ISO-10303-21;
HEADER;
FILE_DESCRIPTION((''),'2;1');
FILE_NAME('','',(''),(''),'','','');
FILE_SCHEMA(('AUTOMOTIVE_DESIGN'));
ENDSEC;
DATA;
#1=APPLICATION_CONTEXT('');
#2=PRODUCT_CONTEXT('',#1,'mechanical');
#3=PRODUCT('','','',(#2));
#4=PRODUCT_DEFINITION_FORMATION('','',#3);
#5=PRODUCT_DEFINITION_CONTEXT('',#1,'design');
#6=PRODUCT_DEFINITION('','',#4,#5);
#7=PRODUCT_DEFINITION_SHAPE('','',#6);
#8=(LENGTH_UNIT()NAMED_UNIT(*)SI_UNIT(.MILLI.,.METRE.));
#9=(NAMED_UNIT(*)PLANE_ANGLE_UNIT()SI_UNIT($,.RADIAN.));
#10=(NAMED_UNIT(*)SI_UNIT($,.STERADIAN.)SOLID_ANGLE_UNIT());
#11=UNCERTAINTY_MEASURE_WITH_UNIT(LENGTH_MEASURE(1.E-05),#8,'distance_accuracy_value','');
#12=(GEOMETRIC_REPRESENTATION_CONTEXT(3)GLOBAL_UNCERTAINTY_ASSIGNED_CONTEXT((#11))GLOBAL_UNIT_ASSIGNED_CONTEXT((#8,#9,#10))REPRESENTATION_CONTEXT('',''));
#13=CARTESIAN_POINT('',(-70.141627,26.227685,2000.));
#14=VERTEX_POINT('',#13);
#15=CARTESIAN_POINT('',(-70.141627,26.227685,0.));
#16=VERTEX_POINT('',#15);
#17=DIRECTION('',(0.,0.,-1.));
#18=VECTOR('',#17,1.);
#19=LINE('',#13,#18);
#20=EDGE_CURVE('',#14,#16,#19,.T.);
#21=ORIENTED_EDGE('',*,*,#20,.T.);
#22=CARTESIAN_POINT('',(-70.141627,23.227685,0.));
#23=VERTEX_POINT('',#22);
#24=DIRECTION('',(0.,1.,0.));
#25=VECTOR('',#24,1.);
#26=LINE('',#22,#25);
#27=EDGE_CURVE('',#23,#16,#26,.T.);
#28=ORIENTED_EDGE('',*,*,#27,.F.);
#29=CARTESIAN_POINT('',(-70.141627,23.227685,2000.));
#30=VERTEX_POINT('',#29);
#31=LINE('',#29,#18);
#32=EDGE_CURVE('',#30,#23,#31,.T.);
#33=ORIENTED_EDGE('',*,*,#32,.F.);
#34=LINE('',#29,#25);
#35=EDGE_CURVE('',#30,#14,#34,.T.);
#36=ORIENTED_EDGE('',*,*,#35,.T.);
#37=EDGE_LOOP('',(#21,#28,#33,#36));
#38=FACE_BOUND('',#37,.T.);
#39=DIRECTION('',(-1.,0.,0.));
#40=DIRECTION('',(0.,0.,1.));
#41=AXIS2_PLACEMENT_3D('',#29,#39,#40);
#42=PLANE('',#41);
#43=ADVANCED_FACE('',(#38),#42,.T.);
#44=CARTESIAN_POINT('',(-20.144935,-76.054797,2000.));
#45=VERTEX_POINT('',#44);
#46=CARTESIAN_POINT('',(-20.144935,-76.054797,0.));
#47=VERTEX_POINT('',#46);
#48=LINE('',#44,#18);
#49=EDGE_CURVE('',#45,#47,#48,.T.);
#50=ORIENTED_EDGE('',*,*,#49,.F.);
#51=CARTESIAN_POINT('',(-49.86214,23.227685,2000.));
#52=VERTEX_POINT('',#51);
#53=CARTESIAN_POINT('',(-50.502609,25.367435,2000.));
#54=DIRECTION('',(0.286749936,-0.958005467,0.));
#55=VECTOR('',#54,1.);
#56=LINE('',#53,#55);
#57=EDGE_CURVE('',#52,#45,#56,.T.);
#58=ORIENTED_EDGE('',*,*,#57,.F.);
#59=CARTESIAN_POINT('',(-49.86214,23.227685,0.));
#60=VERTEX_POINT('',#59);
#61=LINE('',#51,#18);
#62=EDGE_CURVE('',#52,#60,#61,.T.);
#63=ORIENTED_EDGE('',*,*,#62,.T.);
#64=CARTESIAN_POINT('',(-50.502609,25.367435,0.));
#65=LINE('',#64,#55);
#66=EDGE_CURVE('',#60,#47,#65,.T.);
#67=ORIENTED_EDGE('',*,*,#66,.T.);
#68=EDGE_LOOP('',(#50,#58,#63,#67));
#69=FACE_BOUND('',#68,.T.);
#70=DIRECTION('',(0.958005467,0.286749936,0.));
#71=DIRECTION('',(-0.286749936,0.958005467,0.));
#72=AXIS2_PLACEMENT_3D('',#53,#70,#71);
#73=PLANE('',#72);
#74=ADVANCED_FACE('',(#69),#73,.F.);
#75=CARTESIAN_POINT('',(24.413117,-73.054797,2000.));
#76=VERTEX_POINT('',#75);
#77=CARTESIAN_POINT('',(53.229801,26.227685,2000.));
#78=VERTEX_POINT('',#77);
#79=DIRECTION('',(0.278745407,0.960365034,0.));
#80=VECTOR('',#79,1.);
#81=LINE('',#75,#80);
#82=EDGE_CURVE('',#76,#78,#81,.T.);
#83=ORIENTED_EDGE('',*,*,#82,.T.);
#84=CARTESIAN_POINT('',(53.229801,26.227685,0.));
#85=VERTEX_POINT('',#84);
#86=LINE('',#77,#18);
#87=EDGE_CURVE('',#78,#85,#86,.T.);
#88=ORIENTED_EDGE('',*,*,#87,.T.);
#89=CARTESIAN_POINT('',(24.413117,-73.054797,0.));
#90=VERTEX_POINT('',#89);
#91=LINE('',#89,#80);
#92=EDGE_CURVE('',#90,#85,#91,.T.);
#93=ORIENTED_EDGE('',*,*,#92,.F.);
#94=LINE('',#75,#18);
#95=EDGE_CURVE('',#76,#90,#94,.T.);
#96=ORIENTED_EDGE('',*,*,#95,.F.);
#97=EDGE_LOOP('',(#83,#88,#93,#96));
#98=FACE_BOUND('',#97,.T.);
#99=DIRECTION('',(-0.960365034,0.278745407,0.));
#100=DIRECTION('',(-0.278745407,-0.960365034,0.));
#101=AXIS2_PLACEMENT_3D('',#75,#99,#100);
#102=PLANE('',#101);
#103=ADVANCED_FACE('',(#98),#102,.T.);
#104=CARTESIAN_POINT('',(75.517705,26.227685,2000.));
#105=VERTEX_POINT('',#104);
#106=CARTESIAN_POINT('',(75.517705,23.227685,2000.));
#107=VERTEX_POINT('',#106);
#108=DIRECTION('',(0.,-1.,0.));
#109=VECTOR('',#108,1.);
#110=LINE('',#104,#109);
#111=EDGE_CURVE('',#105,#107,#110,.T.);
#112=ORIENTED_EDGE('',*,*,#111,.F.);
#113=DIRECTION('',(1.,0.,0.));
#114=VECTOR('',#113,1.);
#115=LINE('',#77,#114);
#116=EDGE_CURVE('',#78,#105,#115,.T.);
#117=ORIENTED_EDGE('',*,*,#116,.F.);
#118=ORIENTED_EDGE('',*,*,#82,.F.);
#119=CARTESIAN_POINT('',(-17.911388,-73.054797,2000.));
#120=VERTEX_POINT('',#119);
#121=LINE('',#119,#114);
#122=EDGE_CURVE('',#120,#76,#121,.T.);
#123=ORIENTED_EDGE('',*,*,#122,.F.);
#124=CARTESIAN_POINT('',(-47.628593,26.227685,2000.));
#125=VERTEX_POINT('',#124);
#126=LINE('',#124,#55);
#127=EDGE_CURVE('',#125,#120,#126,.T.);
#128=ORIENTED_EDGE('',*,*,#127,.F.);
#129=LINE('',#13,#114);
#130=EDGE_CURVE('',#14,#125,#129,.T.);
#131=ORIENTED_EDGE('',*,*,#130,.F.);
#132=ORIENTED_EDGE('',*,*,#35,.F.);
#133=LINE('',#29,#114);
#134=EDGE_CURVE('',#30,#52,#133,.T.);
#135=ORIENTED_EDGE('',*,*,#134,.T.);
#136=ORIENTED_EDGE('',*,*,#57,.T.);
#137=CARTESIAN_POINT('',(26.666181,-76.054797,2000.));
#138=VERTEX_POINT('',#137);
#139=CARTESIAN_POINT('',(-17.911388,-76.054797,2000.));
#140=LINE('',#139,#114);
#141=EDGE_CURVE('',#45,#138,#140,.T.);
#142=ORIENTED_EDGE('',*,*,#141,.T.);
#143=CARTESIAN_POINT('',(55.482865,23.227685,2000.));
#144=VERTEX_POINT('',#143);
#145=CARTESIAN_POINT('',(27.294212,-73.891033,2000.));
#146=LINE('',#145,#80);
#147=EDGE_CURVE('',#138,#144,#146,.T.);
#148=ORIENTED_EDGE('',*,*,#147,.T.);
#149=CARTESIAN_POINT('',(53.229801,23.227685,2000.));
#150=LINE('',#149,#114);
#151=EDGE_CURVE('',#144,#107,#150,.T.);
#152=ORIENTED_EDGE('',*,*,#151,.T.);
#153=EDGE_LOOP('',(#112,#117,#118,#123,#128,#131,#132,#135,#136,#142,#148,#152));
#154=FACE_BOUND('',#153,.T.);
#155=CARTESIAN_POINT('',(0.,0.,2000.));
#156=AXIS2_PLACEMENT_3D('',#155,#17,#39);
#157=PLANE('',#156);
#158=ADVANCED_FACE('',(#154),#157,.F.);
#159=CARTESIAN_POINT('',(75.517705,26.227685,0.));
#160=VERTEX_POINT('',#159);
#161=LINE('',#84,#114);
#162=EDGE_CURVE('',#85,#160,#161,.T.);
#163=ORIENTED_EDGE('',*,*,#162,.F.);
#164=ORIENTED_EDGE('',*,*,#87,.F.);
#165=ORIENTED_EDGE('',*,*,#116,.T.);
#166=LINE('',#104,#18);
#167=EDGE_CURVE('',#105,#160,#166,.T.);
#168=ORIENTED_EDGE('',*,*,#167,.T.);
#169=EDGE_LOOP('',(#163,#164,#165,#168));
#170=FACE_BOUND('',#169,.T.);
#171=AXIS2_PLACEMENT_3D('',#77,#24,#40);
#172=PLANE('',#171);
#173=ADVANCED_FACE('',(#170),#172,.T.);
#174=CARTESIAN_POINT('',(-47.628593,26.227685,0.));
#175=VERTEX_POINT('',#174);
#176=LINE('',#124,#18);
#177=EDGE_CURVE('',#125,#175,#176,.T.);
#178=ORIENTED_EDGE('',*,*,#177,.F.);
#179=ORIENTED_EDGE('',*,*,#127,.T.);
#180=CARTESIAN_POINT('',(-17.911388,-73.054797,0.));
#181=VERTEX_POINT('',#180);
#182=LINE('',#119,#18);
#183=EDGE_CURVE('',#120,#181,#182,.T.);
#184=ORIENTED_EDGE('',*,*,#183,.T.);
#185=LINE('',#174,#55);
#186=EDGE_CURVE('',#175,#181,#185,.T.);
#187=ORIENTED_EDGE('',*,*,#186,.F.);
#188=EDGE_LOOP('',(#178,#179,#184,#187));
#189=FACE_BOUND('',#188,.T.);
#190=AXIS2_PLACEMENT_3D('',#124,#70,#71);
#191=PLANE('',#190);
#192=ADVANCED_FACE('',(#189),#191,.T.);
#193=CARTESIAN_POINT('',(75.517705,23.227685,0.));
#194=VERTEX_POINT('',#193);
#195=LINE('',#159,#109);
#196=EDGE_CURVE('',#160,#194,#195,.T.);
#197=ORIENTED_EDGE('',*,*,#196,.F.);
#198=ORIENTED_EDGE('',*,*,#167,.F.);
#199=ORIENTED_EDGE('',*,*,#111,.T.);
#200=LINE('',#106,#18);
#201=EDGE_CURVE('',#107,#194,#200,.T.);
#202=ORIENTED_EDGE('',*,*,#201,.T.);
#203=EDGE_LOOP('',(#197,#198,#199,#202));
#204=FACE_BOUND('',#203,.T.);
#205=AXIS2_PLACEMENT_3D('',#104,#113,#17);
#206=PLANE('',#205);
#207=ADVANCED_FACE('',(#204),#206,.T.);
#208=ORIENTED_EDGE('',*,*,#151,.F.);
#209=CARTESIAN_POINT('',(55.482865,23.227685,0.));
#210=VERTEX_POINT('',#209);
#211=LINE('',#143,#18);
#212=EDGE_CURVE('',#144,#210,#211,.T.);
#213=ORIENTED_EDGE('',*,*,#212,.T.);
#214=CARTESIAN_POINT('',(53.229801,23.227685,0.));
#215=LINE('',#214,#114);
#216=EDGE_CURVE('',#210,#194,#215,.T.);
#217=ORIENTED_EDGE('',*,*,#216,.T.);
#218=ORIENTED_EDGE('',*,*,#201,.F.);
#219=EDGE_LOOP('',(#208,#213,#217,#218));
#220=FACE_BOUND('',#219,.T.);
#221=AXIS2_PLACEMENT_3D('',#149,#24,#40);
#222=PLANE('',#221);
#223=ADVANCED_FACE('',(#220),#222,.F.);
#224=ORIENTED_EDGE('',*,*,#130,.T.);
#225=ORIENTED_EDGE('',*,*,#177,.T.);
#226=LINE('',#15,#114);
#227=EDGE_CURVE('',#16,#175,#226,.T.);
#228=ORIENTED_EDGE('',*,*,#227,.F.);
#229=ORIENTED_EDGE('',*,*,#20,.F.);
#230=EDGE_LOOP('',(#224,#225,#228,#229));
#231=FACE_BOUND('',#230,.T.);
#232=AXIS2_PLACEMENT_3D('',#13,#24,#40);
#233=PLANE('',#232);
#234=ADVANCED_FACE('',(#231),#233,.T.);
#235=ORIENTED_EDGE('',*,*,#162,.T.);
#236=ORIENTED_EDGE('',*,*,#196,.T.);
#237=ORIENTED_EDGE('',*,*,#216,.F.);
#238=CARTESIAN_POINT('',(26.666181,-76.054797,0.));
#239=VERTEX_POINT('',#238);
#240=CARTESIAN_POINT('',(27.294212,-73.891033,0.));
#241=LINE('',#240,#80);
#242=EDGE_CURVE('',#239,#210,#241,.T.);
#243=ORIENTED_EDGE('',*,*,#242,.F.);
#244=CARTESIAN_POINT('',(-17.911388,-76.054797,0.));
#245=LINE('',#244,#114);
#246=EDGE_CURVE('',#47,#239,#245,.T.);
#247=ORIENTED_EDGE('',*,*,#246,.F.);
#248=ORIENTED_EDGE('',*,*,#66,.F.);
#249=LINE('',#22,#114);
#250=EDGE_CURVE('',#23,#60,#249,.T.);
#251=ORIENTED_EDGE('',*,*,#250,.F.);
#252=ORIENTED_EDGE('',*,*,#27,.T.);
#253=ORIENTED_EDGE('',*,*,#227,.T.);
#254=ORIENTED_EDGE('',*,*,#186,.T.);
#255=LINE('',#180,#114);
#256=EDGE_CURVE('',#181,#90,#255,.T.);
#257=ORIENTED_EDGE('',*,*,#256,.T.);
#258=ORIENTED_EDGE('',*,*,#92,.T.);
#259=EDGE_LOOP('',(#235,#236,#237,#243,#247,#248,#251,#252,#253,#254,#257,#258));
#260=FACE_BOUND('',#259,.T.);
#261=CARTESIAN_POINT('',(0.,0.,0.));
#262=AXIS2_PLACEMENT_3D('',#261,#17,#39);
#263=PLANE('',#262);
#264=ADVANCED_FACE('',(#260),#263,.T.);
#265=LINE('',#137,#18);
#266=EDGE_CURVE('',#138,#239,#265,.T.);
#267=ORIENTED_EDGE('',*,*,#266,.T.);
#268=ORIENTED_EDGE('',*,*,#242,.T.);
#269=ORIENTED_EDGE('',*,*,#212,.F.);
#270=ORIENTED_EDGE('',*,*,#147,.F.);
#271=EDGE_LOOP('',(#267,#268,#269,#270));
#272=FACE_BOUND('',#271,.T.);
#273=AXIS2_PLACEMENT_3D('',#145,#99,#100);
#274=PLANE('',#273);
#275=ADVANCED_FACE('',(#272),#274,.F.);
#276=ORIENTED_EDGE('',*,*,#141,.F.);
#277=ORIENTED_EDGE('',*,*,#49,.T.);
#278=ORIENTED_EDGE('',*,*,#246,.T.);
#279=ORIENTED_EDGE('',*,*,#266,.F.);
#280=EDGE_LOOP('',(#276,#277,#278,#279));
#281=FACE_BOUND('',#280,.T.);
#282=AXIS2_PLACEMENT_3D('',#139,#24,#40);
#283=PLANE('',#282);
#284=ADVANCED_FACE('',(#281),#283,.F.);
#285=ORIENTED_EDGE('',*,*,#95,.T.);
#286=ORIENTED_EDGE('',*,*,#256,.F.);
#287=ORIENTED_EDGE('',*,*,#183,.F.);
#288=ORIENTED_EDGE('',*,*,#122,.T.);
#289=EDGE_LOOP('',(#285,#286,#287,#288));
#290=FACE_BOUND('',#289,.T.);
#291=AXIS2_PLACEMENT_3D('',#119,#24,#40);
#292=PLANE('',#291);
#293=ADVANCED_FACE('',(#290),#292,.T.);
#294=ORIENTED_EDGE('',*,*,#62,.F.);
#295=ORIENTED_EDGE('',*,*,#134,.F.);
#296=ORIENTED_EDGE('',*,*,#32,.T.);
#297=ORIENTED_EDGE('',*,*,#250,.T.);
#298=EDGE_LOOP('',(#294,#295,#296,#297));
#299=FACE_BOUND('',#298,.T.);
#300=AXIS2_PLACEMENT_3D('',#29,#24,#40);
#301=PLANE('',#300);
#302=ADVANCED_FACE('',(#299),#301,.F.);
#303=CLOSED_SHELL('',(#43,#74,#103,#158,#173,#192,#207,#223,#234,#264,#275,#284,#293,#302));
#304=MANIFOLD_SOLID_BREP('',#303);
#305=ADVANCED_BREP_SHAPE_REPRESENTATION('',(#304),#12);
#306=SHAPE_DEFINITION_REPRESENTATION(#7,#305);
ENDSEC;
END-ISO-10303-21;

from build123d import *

# Parameters (mm, degrees)
EXTRU_MINCE1_DEPTH = 2000


with BuildPart() as part:
    # Esquisse1 → Extru.-Mince1 (new body)
    with BuildSketch(Plane.XY):
        Polygon((-70.141627462, 26.227685089), (-47.628593052, 26.227685089), (-17.911387629, -73.054796663), (24.413117063, -73.054796663), (53.229801109, 26.227685089), (75.517705176, 26.227685089), (75.517705176, 23.227685089), (55.482865, 23.227685089), (26.666180954, -76.054796663), (-20.144934584, -76.054796663), (-49.862140006, 23.227685089), (-70.141627462, 23.227685089), align=None)
    extrude(amount=EXTRU_MINCE1_DEPTH)


solid = part.part
